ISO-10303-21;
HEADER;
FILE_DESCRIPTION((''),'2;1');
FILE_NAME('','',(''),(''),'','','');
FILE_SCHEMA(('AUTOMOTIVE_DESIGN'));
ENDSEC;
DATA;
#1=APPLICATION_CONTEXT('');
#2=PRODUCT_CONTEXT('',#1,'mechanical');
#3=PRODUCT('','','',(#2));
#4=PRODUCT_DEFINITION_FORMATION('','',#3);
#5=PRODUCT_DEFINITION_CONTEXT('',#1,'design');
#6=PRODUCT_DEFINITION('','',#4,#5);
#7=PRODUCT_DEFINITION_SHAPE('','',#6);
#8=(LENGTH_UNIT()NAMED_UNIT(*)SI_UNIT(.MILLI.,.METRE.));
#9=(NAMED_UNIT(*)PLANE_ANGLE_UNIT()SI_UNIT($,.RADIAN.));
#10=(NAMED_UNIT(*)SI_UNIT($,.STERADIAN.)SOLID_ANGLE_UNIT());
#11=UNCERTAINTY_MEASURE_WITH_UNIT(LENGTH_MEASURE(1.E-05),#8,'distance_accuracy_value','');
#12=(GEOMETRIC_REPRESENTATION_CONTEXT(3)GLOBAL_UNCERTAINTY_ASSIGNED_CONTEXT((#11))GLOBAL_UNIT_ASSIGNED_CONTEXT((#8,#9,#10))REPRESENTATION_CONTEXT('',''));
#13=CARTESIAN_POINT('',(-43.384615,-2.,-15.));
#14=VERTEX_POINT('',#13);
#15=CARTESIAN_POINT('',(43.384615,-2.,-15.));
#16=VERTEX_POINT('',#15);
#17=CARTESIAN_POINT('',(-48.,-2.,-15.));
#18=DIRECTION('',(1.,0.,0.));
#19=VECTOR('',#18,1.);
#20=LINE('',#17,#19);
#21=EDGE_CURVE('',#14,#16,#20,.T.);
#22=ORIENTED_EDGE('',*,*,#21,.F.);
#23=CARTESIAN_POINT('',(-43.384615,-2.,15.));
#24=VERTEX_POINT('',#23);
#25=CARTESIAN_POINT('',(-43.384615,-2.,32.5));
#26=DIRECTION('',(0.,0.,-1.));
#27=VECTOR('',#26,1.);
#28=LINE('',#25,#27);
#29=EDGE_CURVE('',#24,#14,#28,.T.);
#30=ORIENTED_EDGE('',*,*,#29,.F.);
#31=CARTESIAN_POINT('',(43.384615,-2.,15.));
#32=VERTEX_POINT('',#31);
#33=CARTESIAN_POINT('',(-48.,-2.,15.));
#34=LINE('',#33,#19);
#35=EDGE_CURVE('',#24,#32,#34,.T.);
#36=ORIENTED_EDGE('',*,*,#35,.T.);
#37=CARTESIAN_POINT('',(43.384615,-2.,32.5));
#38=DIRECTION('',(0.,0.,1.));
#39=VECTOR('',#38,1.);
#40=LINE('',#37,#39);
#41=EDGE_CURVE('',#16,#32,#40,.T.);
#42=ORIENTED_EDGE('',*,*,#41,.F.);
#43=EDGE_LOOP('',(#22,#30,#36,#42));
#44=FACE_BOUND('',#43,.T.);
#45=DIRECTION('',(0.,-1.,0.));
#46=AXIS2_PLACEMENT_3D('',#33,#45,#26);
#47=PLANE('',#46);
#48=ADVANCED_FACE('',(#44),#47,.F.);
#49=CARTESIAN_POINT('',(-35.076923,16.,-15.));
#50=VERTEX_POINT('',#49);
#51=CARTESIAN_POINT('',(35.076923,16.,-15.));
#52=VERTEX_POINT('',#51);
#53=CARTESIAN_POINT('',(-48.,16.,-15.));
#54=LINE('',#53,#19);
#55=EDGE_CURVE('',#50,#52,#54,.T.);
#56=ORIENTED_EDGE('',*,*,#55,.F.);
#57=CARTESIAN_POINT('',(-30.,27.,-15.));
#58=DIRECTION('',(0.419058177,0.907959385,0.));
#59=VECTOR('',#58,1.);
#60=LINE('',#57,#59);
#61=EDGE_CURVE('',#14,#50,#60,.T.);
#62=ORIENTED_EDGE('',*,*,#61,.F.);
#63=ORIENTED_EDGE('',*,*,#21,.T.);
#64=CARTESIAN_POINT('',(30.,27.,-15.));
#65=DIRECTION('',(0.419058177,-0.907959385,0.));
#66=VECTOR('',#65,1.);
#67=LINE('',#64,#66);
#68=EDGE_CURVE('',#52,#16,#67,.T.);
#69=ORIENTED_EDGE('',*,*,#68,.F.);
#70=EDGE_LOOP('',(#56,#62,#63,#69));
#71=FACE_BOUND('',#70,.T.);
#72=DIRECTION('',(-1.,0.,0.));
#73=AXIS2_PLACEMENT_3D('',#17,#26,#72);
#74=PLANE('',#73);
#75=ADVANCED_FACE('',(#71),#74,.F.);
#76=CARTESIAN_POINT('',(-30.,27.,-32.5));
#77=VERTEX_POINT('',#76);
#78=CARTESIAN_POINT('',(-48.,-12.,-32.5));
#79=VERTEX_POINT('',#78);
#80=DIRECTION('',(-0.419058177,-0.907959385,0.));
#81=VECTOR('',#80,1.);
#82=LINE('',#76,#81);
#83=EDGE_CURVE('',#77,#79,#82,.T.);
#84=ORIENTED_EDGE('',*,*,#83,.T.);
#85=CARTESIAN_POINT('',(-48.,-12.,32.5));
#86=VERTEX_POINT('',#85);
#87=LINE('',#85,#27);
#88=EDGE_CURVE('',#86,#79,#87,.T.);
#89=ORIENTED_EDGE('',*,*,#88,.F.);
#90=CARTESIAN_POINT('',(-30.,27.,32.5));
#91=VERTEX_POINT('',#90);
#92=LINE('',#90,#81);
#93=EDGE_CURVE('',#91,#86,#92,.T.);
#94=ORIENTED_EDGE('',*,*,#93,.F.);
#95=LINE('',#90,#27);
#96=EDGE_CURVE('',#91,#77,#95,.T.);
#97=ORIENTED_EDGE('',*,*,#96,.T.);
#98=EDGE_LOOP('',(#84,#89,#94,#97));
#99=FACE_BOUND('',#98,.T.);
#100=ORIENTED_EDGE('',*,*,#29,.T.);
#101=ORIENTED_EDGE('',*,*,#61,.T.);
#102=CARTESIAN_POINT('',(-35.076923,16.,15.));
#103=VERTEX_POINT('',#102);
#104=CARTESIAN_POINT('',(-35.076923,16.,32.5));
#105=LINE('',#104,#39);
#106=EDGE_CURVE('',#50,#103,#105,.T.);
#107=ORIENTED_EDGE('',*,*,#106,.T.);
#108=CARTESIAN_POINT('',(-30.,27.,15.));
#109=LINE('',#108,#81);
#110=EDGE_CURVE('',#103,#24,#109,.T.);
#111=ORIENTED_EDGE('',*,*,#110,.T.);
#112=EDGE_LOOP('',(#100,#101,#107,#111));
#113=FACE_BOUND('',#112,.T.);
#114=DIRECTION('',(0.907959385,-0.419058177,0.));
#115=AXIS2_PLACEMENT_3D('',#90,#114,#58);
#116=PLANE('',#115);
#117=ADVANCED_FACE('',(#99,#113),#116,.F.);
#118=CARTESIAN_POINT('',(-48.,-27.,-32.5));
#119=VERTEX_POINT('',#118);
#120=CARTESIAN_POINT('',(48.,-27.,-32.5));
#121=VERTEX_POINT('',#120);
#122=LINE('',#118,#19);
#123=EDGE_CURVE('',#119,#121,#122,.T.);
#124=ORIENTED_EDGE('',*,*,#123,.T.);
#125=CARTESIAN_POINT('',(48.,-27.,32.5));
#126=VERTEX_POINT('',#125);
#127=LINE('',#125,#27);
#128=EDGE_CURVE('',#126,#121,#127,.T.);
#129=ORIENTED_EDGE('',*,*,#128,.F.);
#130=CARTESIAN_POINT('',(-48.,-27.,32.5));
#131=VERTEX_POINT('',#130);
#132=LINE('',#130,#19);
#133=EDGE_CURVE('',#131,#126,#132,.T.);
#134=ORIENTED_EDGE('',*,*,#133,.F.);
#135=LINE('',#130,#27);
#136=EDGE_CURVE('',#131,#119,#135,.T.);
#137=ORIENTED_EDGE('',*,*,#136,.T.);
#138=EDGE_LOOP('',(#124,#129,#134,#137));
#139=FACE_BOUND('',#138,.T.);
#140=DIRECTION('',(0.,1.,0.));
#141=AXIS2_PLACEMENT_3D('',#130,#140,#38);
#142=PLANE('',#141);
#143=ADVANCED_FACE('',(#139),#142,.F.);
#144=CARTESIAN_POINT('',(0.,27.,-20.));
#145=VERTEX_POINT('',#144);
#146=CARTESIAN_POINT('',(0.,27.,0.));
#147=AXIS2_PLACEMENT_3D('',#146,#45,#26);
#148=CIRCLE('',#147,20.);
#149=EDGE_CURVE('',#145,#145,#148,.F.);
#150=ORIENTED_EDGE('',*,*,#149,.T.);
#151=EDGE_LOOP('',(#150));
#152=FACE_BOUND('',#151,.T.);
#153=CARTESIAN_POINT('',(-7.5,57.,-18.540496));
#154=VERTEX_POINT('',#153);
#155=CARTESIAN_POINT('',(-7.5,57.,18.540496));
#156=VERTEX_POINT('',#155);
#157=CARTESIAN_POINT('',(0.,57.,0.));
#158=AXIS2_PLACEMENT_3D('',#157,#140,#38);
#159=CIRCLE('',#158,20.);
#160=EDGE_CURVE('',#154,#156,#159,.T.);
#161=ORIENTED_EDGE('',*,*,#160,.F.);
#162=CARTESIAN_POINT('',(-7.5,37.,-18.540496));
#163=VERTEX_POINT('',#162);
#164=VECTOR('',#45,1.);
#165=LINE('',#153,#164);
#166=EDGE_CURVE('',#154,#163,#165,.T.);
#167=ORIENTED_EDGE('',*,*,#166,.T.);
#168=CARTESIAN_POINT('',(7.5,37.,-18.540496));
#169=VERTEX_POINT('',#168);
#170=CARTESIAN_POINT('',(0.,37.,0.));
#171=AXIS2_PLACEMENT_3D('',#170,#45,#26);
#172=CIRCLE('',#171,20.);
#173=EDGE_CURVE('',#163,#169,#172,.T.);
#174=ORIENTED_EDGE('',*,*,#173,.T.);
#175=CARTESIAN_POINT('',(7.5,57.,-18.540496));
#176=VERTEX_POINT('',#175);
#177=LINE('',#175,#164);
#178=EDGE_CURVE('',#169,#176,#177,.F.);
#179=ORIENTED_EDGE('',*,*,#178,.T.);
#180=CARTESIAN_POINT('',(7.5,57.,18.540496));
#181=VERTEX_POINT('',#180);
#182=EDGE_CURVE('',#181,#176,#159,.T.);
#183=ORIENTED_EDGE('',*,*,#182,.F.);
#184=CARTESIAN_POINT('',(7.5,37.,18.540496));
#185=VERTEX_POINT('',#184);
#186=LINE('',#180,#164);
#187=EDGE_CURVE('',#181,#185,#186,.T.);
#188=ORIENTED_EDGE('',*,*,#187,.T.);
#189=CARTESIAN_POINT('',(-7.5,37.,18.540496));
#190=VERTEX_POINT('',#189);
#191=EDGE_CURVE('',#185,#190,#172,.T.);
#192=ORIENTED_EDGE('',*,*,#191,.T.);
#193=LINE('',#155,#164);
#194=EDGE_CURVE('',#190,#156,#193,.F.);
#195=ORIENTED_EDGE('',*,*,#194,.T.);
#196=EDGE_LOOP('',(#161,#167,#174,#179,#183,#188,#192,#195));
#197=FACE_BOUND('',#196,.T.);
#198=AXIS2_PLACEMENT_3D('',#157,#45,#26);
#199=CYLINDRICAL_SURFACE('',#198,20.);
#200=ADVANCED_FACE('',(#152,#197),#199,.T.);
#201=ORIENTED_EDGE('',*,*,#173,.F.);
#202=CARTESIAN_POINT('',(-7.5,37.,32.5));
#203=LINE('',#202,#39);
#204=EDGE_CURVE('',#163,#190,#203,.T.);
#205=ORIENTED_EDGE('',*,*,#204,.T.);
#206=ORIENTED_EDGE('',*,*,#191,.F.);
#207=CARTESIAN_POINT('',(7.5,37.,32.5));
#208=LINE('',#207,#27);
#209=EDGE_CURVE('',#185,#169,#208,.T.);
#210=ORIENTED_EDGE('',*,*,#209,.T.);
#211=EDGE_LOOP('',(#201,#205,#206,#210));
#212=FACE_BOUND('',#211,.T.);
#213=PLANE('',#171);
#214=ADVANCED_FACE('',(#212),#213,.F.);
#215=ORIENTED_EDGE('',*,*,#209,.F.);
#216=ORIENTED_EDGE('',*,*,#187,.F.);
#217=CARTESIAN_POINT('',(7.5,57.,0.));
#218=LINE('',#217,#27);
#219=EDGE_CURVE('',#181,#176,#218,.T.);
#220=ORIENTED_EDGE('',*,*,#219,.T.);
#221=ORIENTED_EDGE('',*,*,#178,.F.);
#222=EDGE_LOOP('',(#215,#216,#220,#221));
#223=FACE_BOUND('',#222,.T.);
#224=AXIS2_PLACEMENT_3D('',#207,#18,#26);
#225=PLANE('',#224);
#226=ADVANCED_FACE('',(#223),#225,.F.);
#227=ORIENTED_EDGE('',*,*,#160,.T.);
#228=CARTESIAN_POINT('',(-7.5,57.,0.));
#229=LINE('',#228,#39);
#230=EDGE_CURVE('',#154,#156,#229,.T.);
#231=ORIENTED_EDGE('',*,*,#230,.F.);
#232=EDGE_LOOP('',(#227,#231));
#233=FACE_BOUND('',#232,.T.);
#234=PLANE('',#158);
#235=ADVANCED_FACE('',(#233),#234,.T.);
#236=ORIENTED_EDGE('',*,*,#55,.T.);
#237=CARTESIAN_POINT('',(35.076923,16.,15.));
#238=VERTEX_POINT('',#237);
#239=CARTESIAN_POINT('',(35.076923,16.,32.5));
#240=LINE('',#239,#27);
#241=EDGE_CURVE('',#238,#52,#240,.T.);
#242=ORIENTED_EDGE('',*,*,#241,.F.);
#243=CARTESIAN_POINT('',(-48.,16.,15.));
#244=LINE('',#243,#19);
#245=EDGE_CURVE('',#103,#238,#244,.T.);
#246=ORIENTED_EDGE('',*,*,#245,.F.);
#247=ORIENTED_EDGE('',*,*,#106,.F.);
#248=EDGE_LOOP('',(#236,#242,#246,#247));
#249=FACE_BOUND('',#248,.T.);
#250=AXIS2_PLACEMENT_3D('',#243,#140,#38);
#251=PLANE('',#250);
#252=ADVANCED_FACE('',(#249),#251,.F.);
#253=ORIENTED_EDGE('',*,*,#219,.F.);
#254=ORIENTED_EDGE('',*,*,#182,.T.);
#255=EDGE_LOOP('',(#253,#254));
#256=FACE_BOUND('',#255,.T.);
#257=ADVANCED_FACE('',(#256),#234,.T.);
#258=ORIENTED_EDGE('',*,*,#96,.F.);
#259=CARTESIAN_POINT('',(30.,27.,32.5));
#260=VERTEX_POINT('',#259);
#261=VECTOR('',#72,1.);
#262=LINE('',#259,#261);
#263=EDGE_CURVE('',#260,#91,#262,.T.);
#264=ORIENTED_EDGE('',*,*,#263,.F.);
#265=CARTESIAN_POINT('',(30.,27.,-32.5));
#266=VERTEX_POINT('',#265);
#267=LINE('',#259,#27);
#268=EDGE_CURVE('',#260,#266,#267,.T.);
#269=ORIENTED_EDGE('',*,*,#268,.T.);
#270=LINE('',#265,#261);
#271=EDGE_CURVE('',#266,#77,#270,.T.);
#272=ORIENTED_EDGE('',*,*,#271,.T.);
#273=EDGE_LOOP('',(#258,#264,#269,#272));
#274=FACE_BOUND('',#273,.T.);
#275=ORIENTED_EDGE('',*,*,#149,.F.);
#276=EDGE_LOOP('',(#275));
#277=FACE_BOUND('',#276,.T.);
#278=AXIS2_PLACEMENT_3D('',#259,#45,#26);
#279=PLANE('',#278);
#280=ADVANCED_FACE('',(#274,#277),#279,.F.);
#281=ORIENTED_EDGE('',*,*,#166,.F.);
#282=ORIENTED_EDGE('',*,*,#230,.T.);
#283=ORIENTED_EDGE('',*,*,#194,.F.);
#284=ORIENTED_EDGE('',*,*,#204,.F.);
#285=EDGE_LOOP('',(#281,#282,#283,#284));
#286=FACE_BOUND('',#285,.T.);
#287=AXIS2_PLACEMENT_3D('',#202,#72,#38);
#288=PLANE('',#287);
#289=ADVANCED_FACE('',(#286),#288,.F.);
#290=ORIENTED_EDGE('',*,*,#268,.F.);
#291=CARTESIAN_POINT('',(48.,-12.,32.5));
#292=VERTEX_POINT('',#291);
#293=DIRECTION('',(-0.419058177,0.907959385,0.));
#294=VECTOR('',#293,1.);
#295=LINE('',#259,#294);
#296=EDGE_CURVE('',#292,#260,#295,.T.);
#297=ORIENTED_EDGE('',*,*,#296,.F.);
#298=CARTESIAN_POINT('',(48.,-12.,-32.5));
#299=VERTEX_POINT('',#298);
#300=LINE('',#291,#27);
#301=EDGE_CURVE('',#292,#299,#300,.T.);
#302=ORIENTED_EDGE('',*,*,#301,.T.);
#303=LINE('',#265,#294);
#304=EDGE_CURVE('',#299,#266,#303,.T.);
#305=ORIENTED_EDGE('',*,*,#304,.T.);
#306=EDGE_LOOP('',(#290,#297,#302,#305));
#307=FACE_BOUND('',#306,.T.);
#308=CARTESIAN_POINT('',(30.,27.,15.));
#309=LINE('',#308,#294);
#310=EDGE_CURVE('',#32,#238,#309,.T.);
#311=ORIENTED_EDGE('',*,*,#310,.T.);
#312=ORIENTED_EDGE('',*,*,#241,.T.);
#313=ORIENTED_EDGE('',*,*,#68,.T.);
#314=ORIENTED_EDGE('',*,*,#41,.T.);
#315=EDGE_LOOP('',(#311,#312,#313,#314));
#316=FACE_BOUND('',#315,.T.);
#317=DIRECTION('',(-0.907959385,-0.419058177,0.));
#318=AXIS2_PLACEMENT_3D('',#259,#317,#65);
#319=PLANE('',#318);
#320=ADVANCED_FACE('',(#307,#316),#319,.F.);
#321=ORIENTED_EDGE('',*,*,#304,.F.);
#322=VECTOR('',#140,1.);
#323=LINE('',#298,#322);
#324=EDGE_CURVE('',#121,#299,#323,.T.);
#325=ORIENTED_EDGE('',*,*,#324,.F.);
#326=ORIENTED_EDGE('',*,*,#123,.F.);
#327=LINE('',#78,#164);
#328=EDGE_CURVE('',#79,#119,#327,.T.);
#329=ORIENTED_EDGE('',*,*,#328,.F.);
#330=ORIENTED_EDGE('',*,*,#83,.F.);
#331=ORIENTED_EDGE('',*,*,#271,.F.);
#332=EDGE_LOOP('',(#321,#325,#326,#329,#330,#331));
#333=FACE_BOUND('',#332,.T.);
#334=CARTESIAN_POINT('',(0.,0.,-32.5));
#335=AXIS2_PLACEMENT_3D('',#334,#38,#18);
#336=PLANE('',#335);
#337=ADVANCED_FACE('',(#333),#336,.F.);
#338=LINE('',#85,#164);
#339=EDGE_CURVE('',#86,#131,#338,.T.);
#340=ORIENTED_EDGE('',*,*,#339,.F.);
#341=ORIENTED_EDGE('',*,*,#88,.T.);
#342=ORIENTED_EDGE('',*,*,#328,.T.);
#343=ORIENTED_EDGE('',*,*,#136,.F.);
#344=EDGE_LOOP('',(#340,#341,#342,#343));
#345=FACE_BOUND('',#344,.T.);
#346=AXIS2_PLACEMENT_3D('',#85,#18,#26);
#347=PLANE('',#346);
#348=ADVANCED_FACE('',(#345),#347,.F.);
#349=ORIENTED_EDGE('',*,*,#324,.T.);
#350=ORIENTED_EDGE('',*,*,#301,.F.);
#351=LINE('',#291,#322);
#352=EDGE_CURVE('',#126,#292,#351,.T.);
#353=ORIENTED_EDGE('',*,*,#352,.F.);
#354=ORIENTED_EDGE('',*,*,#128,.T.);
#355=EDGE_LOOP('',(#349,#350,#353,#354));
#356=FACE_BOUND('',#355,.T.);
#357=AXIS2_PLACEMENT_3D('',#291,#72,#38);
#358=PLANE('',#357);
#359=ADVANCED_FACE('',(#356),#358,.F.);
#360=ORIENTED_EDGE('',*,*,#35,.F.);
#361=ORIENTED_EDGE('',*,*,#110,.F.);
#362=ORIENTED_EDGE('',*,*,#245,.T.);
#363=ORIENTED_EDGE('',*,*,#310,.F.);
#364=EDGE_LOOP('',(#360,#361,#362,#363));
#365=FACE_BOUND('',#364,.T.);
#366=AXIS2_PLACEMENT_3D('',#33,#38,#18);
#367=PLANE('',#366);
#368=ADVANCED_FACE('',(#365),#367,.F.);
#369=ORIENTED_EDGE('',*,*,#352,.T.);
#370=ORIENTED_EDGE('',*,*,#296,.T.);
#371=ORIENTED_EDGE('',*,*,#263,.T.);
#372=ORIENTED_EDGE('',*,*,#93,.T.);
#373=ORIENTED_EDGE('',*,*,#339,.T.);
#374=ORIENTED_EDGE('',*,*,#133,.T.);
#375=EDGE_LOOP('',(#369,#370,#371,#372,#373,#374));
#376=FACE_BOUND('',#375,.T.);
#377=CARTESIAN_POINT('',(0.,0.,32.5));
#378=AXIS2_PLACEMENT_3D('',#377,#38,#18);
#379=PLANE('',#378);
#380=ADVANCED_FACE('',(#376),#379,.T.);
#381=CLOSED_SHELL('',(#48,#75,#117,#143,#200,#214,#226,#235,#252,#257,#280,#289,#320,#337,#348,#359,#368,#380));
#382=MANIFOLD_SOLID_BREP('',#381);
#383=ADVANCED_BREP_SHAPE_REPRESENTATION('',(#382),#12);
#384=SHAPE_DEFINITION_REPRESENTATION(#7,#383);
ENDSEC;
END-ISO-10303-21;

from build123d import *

# Parameters (mm, degrees)
EXTRUDE_2_DEPTH          = 32.5
CUT_EXTRUDE_1_DEPTH      = 64.947243881
CUT_EXTRUDE_1_DEPTH_BACK = 64.947243881
SKETCH_2_W               = 30
SKETCH_2_H               = 18
SKETCH_3_R               = 20
EXTRUDE_3_DEPTH          = 30
SKETCH_4_W               = 15
SKETCH_4_H               = 65
CUT_EXTRUDE_2_DEPTH      = 20


with BuildPart() as part:
    # Эскиз1 → Бобышка-Вытянуть2 (new, symmetric)
    with BuildSketch(Plane.XY):
        Polygon((-30, 27), (-48, -12), (-48, -27), (48, -27), (48, -12), (30, 27), align=None)
    extrude(amount=EXTRUDE_2_DEPTH, both=True)

    # Эскиз2 → Вырез-Вытянуть1 (cut, two sides: drawn at the far end of the back side and taken through both)
    with BuildSketch(Plane(origin=(0, 0, 0), x_dir=(0, 0, -1), z_dir=(1, 0, 0)).offset(-CUT_EXTRUDE_1_DEPTH_BACK)):
        with Locations((0, 7)):
            Rectangle(SKETCH_2_W, SKETCH_2_H)
    extrude(amount=CUT_EXTRUDE_1_DEPTH + CUT_EXTRUDE_1_DEPTH_BACK, mode=Mode.SUBTRACT)

    # Эскиз3 → Бобышка-Вытянуть3 (add)
    with BuildSketch(Plane(origin=(0, 27, 0), x_dir=(1, 0, 0), z_dir=(0, 1, 0))):
        with Locations(Location((0, 0, 0), (0, 0, 90))):
            Circle(SKETCH_3_R)
    extrude(amount=EXTRUDE_3_DEPTH)

    # Эскиз4 → Вырез-Вытянуть2 (cut)
    with BuildSketch(Plane(origin=(0, 57, 0), x_dir=(1, 0, 0), z_dir=(0, 1, 0))):
        Rectangle(SKETCH_4_W, SKETCH_4_H)
    extrude(amount=-CUT_EXTRUDE_2_DEPTH, mode=Mode.SUBTRACT)


solid = part.part
